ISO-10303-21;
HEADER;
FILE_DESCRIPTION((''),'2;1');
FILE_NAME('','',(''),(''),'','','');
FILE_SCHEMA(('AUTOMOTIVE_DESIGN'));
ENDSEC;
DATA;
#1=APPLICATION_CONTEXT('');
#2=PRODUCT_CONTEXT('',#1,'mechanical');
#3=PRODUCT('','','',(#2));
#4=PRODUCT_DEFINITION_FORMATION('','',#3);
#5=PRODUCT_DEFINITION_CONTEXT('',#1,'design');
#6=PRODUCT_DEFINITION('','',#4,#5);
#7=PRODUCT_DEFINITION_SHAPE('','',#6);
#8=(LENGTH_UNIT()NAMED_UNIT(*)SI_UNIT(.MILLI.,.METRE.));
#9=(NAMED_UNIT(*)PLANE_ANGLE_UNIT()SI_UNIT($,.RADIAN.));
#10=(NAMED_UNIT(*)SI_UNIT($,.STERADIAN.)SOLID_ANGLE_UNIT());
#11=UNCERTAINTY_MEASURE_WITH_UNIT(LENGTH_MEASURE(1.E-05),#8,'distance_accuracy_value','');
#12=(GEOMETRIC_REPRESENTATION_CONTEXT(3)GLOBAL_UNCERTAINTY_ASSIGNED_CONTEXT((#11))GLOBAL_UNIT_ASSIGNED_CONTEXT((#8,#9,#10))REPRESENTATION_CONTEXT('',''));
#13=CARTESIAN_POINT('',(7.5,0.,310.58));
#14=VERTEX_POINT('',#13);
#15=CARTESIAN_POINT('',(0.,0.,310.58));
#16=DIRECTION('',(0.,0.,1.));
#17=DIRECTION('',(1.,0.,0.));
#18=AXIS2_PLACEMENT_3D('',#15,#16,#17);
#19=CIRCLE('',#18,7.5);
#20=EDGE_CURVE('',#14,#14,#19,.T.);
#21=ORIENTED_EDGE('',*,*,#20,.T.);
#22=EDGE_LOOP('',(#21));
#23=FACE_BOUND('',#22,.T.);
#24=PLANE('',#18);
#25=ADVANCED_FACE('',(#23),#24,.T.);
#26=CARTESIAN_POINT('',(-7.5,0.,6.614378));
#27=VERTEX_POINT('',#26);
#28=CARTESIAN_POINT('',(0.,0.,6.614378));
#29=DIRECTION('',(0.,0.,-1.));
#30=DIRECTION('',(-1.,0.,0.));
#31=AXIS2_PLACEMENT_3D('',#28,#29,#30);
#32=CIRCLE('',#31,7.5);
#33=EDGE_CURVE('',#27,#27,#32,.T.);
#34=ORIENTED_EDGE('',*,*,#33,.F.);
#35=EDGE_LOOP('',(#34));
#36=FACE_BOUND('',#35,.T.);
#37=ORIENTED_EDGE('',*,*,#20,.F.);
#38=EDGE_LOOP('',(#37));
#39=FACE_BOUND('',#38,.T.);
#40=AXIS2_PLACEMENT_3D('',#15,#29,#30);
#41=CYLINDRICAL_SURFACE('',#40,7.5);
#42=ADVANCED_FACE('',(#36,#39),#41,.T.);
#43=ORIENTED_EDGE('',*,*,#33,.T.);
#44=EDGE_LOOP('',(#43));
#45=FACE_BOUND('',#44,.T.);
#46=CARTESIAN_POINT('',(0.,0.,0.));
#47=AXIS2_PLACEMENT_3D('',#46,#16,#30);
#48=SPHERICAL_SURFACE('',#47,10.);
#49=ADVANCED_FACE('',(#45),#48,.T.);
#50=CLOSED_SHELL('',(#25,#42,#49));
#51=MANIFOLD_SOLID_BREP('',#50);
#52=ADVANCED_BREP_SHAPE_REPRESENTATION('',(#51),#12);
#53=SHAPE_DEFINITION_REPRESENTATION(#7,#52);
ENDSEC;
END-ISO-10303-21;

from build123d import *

# Parameters (mm, degrees)
SKETCH1_R           = 7.5
BOSS_EXTRUDE1_DEPTH = 310.58


with BuildPart() as part:
    # Sketch1 → Boss-Extrude1 (new body)
    with BuildSketch(Plane.XY):
        Circle(SKETCH1_R)
    extrude(amount=BOSS_EXTRUDE1_DEPTH)

    # Sketch2 → Revolve1 (revolve)
    with BuildSketch(Plane(origin=(0, 0, 0), x_dir=(1, 0, 0), z_dir=(0, 1, 0))):
        with BuildLine():
            Line((-7.5, -6.614378278), (0, -6.614378278))
            Line((0, -6.614378278), (0, 10))
            ThreePointArc((0, 10), (-9.114378278, 4.114378278), (-7.5, -6.614378278))
        make_face()
    revolve(axis=Axis((0, 0, 0), (0, 0, -1)))


solid = part.part
